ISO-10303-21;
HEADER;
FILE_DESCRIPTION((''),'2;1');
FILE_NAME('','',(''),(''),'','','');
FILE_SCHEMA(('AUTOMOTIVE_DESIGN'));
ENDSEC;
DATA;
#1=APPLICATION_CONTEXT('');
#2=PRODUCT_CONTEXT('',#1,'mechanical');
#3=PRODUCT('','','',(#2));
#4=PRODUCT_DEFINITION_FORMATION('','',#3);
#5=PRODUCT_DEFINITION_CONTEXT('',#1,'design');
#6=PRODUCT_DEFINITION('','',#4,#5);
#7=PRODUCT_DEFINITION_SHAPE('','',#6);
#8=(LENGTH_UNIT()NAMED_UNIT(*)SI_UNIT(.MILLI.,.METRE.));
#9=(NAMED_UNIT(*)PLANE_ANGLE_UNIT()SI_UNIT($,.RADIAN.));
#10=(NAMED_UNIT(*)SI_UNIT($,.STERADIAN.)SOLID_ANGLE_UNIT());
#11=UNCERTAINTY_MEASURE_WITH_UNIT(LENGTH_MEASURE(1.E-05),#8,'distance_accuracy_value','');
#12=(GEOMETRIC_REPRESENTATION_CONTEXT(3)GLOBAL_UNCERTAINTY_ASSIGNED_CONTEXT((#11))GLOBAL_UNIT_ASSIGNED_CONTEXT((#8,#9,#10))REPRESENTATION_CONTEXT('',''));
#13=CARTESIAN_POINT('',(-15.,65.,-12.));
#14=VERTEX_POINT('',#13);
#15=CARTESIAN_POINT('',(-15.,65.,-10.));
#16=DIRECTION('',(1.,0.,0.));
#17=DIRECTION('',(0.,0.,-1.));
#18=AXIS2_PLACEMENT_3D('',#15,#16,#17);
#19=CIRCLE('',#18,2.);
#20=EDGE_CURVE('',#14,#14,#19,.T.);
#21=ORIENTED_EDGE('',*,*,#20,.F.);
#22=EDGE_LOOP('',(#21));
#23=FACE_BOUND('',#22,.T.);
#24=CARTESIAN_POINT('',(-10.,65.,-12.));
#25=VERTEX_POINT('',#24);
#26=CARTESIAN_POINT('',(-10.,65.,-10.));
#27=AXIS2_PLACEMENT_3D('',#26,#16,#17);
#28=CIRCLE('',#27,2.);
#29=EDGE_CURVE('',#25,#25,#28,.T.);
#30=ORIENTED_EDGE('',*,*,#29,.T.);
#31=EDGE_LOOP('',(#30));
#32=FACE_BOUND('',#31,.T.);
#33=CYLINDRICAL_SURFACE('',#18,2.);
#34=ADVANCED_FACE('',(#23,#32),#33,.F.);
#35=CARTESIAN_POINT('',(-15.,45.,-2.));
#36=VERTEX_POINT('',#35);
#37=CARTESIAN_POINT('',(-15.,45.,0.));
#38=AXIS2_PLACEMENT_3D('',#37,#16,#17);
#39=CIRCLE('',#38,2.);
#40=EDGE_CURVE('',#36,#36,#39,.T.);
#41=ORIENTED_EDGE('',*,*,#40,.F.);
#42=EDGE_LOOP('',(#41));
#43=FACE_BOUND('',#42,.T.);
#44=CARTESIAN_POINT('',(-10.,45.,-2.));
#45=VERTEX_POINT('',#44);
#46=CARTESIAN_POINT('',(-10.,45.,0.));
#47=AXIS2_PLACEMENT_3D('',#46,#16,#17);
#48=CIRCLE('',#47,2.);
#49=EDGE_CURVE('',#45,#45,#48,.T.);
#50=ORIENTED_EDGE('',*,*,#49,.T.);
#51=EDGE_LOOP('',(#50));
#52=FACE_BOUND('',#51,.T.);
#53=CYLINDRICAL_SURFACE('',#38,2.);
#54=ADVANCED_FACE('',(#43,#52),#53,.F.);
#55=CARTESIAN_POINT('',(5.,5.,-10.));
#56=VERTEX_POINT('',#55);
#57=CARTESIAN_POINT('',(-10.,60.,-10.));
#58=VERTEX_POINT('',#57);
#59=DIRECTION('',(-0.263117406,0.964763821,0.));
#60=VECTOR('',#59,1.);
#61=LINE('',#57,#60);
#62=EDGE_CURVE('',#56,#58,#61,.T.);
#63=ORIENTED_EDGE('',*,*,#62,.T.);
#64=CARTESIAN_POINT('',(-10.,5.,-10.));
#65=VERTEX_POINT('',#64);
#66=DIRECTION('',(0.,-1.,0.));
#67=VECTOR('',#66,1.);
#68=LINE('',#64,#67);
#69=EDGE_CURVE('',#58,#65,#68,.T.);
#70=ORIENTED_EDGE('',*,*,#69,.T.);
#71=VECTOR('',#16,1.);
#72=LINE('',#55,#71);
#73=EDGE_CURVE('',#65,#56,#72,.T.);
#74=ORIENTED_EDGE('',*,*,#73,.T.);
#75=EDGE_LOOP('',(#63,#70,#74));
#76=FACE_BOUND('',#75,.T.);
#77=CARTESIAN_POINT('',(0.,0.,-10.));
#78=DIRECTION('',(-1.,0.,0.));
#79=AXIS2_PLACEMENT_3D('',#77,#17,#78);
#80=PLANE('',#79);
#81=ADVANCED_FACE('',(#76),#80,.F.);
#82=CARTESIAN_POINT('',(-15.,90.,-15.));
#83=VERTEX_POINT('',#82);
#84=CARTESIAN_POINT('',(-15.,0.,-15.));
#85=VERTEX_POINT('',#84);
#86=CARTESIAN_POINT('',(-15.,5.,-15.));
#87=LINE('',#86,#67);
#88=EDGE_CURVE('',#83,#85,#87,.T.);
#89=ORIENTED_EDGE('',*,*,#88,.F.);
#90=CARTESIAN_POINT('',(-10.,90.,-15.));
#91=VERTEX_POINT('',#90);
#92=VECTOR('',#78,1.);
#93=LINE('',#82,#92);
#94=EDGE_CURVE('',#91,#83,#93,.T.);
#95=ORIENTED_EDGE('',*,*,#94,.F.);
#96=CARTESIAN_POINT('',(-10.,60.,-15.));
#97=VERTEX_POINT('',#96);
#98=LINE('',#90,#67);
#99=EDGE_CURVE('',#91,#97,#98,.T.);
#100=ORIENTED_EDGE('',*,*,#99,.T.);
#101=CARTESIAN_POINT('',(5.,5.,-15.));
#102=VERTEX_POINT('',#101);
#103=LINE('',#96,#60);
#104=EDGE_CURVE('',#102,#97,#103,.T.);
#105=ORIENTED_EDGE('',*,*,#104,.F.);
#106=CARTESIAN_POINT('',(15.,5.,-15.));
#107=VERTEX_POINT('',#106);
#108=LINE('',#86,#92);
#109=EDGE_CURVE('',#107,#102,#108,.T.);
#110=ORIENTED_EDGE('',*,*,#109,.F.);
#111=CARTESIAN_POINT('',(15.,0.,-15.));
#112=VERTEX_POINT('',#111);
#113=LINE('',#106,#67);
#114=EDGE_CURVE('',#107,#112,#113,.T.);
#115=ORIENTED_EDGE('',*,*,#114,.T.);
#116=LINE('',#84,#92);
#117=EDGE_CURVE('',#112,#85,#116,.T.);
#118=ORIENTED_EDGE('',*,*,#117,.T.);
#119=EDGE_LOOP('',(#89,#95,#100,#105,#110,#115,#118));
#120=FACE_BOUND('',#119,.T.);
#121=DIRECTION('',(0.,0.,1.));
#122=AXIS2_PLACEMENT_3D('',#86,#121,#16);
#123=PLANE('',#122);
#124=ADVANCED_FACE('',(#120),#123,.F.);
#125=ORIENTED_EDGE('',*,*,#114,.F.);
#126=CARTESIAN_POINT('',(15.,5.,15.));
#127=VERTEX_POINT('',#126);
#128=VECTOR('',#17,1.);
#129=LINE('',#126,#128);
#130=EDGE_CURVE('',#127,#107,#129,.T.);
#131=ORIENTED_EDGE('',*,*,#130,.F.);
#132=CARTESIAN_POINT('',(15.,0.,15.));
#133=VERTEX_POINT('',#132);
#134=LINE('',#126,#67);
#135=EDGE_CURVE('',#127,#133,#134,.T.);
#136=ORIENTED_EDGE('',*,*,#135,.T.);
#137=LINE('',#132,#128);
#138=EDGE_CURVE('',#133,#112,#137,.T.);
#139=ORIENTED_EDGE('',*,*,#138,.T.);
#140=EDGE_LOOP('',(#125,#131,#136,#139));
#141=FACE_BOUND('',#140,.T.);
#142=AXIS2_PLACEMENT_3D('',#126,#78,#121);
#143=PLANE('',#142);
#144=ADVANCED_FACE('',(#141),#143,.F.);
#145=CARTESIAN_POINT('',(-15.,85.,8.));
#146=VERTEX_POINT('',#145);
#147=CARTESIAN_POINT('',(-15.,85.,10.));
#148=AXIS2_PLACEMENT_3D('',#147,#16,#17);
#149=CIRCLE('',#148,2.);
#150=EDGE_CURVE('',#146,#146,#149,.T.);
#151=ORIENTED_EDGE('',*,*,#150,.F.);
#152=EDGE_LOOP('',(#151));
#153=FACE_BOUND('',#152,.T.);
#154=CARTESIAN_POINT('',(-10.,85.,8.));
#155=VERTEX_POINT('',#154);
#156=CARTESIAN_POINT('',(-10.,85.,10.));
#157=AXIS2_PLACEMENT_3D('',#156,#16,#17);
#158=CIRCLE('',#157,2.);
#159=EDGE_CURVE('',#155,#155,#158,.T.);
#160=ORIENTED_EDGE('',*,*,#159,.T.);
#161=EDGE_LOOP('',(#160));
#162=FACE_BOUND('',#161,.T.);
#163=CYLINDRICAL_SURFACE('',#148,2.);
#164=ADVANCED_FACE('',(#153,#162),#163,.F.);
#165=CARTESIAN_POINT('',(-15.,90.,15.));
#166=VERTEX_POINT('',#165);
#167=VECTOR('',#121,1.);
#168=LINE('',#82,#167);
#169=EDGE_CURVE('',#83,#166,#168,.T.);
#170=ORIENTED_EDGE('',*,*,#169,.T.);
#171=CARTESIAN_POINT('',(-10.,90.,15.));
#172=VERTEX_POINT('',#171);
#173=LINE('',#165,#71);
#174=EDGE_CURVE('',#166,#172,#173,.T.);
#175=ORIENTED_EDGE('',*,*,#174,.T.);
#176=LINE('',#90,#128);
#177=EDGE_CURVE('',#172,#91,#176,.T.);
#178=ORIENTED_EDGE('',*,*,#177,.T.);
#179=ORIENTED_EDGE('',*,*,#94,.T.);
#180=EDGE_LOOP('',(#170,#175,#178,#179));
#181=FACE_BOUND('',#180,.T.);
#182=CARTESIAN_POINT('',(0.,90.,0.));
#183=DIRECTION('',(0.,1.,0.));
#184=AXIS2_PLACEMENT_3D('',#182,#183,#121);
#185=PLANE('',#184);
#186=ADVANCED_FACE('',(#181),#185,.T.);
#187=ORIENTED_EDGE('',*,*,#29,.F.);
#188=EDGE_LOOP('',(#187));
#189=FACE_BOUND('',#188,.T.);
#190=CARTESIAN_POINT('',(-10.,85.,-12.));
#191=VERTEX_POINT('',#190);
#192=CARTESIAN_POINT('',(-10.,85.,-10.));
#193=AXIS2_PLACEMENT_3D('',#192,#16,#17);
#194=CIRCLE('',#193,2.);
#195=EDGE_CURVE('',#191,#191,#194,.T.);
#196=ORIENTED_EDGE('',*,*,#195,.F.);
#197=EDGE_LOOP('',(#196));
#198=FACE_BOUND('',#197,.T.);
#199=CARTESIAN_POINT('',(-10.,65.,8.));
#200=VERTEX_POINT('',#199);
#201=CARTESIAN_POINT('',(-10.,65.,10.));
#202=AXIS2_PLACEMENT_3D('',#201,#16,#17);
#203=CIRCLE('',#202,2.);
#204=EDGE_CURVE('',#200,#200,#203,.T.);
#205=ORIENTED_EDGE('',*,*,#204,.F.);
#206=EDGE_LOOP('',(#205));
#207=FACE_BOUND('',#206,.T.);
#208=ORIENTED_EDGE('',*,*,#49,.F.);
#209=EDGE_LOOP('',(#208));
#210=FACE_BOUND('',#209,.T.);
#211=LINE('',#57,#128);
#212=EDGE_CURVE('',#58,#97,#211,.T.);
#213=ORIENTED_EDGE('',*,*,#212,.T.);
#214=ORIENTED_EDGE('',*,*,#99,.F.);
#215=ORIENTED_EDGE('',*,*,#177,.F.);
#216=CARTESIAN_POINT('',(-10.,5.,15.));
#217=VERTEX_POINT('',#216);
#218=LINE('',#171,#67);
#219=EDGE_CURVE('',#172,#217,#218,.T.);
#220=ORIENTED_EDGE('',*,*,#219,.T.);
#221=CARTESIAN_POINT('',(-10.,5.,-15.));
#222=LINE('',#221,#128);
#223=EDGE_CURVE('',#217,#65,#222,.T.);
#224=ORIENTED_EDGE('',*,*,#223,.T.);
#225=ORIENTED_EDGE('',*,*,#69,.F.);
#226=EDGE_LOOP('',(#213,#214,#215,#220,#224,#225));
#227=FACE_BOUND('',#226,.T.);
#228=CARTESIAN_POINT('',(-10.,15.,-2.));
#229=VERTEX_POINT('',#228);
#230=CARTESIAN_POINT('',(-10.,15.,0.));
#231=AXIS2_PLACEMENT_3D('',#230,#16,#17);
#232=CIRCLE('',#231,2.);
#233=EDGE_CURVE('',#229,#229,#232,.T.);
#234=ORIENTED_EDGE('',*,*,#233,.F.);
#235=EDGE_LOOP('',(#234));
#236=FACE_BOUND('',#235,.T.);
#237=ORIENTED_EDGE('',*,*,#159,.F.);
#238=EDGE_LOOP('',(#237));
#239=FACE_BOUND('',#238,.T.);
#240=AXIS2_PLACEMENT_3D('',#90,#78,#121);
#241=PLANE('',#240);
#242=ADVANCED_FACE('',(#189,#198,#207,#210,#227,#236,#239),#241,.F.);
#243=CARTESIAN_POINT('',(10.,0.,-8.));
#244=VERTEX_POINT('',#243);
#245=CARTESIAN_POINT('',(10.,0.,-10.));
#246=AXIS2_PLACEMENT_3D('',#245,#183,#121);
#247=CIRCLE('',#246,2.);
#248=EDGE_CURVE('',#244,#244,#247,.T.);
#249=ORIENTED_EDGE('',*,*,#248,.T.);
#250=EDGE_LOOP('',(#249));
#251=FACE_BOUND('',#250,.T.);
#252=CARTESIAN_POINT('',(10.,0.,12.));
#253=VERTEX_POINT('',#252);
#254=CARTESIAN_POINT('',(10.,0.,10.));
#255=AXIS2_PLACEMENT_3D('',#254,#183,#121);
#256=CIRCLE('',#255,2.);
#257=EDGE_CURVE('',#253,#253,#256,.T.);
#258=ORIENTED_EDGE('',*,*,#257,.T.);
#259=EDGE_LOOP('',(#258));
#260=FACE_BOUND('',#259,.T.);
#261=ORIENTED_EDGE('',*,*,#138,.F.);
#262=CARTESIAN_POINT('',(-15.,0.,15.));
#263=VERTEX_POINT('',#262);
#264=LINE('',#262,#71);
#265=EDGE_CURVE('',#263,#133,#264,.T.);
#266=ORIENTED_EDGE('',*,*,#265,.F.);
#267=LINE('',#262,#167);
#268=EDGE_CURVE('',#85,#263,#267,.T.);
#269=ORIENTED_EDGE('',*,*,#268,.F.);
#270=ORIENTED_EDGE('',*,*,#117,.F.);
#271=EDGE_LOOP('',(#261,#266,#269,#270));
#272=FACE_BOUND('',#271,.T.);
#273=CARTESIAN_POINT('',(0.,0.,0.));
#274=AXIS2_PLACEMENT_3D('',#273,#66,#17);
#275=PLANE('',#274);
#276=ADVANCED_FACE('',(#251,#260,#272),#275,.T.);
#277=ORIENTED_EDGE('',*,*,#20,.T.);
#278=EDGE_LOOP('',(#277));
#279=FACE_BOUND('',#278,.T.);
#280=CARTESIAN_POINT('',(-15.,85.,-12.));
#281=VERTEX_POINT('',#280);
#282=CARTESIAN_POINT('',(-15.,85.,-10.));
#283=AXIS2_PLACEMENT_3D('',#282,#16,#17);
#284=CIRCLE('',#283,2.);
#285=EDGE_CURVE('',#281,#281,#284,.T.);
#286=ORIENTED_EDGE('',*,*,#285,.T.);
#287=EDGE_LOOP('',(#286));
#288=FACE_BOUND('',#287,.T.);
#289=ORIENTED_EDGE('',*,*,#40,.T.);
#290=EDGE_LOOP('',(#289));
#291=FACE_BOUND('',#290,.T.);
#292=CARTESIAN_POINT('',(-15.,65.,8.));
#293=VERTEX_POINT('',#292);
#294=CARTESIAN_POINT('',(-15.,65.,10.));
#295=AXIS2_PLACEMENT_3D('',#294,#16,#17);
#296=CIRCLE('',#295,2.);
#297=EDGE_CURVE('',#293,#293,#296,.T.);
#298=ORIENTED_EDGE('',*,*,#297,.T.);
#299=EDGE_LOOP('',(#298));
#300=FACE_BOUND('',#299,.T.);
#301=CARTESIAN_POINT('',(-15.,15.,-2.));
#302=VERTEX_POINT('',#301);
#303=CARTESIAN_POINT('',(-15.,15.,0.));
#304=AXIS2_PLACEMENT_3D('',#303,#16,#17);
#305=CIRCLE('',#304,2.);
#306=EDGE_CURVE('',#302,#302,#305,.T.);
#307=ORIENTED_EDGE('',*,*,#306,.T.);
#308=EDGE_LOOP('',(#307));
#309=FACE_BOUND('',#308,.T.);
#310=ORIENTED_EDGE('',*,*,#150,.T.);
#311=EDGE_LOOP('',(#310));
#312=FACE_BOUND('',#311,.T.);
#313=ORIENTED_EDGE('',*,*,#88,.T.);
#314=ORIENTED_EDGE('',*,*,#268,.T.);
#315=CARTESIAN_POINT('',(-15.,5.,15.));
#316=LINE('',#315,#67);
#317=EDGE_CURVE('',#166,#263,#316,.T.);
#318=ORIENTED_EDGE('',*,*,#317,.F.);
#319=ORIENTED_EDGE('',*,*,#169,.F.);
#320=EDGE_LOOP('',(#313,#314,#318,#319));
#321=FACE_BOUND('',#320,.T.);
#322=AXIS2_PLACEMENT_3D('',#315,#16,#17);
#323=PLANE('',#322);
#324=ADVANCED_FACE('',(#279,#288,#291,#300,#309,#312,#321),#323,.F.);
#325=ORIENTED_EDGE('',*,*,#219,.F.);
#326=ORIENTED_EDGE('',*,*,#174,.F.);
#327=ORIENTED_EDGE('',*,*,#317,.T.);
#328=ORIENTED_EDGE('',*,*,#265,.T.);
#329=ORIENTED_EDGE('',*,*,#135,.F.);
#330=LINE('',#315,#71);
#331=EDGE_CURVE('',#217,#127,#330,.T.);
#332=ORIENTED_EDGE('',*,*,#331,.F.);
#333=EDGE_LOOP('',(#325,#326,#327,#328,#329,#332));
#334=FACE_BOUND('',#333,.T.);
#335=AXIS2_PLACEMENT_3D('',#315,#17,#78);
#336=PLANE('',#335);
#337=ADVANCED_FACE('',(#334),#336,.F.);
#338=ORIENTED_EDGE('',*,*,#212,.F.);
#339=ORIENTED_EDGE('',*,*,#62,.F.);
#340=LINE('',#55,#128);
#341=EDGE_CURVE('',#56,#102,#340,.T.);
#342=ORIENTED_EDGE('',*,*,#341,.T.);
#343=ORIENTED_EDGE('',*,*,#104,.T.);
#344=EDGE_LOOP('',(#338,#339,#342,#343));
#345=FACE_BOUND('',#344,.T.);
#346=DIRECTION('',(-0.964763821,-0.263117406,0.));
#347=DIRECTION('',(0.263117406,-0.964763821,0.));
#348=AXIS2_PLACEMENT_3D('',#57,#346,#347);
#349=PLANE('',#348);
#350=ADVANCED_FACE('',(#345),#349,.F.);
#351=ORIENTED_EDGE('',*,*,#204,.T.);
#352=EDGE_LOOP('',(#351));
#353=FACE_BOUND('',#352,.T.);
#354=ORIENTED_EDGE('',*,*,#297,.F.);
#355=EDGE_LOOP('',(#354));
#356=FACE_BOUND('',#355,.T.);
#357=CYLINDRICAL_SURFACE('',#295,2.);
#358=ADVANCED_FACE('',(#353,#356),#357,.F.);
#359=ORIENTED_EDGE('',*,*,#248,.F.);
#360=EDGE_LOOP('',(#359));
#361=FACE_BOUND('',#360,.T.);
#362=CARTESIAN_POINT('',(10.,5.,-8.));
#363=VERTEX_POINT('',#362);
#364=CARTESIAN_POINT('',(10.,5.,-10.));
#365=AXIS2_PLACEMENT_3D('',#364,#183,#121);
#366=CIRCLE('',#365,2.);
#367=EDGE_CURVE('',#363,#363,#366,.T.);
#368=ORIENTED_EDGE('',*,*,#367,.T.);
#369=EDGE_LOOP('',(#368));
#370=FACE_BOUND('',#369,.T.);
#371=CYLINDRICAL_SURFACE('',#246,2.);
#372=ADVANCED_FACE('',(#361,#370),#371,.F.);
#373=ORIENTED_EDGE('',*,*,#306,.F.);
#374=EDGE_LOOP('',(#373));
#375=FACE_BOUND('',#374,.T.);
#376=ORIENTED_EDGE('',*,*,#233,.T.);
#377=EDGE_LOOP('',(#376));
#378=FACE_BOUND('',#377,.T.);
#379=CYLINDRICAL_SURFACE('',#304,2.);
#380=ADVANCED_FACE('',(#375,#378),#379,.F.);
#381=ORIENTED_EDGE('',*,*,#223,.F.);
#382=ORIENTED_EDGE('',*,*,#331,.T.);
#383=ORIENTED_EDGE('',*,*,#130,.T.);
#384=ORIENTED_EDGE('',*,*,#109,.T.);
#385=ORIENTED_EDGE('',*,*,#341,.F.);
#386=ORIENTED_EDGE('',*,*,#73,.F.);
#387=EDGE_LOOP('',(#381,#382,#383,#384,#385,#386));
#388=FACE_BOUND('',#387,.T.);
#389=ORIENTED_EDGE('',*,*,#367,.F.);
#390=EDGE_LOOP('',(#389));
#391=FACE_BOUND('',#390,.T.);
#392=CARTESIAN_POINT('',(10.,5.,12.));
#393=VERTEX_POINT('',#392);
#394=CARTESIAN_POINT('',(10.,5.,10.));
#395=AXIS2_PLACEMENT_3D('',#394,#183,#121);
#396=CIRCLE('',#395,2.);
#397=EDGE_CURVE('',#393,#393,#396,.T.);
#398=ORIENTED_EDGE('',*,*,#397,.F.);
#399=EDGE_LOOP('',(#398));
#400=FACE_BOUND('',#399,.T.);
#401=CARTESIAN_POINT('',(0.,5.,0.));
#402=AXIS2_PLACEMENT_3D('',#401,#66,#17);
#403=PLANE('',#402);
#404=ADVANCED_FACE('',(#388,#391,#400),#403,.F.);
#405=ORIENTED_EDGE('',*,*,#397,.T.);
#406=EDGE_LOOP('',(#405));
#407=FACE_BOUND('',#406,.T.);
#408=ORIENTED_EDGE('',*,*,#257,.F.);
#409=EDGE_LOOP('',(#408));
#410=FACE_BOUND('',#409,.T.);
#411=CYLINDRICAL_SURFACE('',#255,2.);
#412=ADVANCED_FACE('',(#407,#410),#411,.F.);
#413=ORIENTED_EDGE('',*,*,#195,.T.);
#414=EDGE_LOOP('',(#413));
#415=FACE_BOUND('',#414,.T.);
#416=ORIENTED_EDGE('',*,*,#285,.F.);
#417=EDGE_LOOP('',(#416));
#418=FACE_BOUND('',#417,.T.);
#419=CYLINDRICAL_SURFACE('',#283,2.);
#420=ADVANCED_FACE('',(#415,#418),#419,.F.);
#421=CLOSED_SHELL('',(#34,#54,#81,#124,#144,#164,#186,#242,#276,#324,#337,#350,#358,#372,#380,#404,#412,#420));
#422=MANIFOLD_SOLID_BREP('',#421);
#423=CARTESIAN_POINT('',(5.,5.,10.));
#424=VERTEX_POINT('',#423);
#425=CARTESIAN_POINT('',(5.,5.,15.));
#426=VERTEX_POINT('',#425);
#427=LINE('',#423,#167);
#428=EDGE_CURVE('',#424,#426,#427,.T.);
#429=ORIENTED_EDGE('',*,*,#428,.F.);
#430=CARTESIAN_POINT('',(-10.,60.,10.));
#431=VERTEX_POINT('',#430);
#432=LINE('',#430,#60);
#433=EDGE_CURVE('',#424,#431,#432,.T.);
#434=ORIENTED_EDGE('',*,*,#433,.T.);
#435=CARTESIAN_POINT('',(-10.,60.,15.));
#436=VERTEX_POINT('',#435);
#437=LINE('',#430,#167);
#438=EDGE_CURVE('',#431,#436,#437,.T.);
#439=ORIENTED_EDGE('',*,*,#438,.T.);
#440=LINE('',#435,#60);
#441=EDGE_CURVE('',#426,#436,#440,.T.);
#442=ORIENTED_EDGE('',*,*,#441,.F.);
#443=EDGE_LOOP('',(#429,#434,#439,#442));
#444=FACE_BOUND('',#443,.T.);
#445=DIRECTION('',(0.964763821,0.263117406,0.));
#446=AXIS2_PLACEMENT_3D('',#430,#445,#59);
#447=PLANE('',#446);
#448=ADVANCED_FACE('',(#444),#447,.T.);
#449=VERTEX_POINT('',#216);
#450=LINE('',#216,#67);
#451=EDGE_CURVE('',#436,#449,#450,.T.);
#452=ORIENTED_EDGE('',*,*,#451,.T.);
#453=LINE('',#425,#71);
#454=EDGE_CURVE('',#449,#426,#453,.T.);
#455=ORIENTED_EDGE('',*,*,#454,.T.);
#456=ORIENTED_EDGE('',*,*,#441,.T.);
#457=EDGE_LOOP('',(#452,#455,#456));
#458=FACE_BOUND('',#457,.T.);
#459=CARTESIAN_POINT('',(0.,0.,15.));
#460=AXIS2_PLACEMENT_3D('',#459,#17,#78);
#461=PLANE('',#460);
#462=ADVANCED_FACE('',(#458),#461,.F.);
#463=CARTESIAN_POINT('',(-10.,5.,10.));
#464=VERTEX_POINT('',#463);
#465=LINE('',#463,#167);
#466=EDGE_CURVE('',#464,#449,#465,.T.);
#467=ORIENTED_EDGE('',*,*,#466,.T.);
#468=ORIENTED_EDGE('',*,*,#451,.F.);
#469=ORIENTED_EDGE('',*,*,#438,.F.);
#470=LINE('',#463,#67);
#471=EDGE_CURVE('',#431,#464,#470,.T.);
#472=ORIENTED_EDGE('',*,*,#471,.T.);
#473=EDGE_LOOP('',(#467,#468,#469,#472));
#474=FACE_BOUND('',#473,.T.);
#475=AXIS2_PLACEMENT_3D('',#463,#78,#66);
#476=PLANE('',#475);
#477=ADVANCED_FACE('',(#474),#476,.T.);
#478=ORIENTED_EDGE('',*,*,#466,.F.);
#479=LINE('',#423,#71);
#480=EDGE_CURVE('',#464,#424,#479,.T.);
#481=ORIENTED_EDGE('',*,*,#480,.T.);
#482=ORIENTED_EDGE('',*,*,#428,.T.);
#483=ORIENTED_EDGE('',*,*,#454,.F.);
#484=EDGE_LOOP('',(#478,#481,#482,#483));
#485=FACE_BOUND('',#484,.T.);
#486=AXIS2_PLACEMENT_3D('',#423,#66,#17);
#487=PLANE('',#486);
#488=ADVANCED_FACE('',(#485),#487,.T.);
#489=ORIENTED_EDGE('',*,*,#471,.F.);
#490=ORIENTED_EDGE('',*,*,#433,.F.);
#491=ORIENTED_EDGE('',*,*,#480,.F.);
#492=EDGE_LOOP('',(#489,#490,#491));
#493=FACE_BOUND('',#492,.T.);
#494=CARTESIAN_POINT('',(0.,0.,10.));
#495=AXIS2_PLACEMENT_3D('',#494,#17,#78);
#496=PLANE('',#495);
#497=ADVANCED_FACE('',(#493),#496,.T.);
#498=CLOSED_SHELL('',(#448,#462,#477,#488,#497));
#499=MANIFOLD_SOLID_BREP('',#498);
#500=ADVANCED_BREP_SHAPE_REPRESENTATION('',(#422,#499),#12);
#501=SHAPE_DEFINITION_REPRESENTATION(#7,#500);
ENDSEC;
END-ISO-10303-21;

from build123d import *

# Parameters (mm, degrees)
SKETCH1_W           = 30
SKETCH1_H           = 30
BOSS_EXTRUDE1_DEPTH = 5
SKETCH2_W           = 5
SKETCH2_H           = 30
BOSS_EXTRUDE2_DEPTH = 85
BOSS_EXTRUDE3_DEPTH = 5
BOSS_EXTRUDE4_DEPTH = 5
SKETCH10_R          = 2
CUT_EXTRUDE1_DEPTH  = 5
SKETCH11_R          = 2
CUT_EXTRUDE2_DEPTH  = 5
SKETCH12_R          = 2
CUT_EXTRUDE3_DEPTH  = 5


with BuildPart() as part:
    # Sketch1 → Boss-Extrude1 (new body)
    with BuildSketch(Plane(origin=(0, 0, 0), x_dir=(1, 0, 0), z_dir=(0, 1, 0))):
        Rectangle(SKETCH1_W, SKETCH1_H)
    extrude(amount=BOSS_EXTRUDE1_DEPTH)

    # Sketch2 → Boss-Extrude2 (add)
    with BuildSketch(Plane(origin=(0, 5, 0), x_dir=(1, 0, 0), z_dir=(0, 1, 0))):
        with Locations((-12.5, 0)):
            Rectangle(SKETCH2_W, SKETCH2_H)
    extrude(amount=BOSS_EXTRUDE2_DEPTH)

    # Sketch5 → Boss-Extrude4 (add)
    with BuildSketch(Plane.XY.offset(-15)):
        Polygon((-10, 5), (-10, 60), (5, 5), align=None)
    extrude(amount=BOSS_EXTRUDE4_DEPTH)

    # Sketch10 → Cut-Extrude1 (cut)
    with BuildSketch(Plane(origin=(-10, 0, 0), x_dir=(0, 0, -1), z_dir=(1, 0, 0))):
        with Locations((-10, 85)):
            Circle(SKETCH10_R)
        with Locations((10, 85)):
            Circle(SKETCH10_R)
        with Locations((0, 15)):
            Circle(SKETCH10_R)
        with Locations((0, 45)):
            Circle(SKETCH10_R)
    extrude(amount=-CUT_EXTRUDE1_DEPTH, mode=Mode.SUBTRACT)

    # Sketch11 → Cut-Extrude2 (cut)
    with BuildSketch(Plane(origin=(0, 5, 0), x_dir=(1, 0, 0), z_dir=(0, 1, 0))):
        with Locations((10, 10)):
            Circle(SKETCH11_R)
        with Locations((10, -10)):
            Circle(SKETCH11_R)
    extrude(amount=-CUT_EXTRUDE2_DEPTH, mode=Mode.SUBTRACT)

    # Sketch12 → Cut-Extrude3 (cut)
    with BuildSketch(Plane(origin=(-10, 0, 0), x_dir=(0, 0, -1), z_dir=(1, 0, 0))):
        with Locations((-10, 65)):
            Circle(SKETCH12_R)
        with Locations((10, 65)):
            Circle(SKETCH12_R)
    extrude(amount=-CUT_EXTRUDE3_DEPTH, mode=Mode.SUBTRACT)


with BuildPart() as body_2:
    # Sketch3 → Boss-Extrude3 (new body)
    with BuildSketch(Plane.XY.offset(15)):
        Polygon((-10, 5), (-10, 60), (5, 5), align=None)
    extrude(amount=-BOSS_EXTRUDE3_DEPTH)


solid = Compound([part.part, body_2.part])
